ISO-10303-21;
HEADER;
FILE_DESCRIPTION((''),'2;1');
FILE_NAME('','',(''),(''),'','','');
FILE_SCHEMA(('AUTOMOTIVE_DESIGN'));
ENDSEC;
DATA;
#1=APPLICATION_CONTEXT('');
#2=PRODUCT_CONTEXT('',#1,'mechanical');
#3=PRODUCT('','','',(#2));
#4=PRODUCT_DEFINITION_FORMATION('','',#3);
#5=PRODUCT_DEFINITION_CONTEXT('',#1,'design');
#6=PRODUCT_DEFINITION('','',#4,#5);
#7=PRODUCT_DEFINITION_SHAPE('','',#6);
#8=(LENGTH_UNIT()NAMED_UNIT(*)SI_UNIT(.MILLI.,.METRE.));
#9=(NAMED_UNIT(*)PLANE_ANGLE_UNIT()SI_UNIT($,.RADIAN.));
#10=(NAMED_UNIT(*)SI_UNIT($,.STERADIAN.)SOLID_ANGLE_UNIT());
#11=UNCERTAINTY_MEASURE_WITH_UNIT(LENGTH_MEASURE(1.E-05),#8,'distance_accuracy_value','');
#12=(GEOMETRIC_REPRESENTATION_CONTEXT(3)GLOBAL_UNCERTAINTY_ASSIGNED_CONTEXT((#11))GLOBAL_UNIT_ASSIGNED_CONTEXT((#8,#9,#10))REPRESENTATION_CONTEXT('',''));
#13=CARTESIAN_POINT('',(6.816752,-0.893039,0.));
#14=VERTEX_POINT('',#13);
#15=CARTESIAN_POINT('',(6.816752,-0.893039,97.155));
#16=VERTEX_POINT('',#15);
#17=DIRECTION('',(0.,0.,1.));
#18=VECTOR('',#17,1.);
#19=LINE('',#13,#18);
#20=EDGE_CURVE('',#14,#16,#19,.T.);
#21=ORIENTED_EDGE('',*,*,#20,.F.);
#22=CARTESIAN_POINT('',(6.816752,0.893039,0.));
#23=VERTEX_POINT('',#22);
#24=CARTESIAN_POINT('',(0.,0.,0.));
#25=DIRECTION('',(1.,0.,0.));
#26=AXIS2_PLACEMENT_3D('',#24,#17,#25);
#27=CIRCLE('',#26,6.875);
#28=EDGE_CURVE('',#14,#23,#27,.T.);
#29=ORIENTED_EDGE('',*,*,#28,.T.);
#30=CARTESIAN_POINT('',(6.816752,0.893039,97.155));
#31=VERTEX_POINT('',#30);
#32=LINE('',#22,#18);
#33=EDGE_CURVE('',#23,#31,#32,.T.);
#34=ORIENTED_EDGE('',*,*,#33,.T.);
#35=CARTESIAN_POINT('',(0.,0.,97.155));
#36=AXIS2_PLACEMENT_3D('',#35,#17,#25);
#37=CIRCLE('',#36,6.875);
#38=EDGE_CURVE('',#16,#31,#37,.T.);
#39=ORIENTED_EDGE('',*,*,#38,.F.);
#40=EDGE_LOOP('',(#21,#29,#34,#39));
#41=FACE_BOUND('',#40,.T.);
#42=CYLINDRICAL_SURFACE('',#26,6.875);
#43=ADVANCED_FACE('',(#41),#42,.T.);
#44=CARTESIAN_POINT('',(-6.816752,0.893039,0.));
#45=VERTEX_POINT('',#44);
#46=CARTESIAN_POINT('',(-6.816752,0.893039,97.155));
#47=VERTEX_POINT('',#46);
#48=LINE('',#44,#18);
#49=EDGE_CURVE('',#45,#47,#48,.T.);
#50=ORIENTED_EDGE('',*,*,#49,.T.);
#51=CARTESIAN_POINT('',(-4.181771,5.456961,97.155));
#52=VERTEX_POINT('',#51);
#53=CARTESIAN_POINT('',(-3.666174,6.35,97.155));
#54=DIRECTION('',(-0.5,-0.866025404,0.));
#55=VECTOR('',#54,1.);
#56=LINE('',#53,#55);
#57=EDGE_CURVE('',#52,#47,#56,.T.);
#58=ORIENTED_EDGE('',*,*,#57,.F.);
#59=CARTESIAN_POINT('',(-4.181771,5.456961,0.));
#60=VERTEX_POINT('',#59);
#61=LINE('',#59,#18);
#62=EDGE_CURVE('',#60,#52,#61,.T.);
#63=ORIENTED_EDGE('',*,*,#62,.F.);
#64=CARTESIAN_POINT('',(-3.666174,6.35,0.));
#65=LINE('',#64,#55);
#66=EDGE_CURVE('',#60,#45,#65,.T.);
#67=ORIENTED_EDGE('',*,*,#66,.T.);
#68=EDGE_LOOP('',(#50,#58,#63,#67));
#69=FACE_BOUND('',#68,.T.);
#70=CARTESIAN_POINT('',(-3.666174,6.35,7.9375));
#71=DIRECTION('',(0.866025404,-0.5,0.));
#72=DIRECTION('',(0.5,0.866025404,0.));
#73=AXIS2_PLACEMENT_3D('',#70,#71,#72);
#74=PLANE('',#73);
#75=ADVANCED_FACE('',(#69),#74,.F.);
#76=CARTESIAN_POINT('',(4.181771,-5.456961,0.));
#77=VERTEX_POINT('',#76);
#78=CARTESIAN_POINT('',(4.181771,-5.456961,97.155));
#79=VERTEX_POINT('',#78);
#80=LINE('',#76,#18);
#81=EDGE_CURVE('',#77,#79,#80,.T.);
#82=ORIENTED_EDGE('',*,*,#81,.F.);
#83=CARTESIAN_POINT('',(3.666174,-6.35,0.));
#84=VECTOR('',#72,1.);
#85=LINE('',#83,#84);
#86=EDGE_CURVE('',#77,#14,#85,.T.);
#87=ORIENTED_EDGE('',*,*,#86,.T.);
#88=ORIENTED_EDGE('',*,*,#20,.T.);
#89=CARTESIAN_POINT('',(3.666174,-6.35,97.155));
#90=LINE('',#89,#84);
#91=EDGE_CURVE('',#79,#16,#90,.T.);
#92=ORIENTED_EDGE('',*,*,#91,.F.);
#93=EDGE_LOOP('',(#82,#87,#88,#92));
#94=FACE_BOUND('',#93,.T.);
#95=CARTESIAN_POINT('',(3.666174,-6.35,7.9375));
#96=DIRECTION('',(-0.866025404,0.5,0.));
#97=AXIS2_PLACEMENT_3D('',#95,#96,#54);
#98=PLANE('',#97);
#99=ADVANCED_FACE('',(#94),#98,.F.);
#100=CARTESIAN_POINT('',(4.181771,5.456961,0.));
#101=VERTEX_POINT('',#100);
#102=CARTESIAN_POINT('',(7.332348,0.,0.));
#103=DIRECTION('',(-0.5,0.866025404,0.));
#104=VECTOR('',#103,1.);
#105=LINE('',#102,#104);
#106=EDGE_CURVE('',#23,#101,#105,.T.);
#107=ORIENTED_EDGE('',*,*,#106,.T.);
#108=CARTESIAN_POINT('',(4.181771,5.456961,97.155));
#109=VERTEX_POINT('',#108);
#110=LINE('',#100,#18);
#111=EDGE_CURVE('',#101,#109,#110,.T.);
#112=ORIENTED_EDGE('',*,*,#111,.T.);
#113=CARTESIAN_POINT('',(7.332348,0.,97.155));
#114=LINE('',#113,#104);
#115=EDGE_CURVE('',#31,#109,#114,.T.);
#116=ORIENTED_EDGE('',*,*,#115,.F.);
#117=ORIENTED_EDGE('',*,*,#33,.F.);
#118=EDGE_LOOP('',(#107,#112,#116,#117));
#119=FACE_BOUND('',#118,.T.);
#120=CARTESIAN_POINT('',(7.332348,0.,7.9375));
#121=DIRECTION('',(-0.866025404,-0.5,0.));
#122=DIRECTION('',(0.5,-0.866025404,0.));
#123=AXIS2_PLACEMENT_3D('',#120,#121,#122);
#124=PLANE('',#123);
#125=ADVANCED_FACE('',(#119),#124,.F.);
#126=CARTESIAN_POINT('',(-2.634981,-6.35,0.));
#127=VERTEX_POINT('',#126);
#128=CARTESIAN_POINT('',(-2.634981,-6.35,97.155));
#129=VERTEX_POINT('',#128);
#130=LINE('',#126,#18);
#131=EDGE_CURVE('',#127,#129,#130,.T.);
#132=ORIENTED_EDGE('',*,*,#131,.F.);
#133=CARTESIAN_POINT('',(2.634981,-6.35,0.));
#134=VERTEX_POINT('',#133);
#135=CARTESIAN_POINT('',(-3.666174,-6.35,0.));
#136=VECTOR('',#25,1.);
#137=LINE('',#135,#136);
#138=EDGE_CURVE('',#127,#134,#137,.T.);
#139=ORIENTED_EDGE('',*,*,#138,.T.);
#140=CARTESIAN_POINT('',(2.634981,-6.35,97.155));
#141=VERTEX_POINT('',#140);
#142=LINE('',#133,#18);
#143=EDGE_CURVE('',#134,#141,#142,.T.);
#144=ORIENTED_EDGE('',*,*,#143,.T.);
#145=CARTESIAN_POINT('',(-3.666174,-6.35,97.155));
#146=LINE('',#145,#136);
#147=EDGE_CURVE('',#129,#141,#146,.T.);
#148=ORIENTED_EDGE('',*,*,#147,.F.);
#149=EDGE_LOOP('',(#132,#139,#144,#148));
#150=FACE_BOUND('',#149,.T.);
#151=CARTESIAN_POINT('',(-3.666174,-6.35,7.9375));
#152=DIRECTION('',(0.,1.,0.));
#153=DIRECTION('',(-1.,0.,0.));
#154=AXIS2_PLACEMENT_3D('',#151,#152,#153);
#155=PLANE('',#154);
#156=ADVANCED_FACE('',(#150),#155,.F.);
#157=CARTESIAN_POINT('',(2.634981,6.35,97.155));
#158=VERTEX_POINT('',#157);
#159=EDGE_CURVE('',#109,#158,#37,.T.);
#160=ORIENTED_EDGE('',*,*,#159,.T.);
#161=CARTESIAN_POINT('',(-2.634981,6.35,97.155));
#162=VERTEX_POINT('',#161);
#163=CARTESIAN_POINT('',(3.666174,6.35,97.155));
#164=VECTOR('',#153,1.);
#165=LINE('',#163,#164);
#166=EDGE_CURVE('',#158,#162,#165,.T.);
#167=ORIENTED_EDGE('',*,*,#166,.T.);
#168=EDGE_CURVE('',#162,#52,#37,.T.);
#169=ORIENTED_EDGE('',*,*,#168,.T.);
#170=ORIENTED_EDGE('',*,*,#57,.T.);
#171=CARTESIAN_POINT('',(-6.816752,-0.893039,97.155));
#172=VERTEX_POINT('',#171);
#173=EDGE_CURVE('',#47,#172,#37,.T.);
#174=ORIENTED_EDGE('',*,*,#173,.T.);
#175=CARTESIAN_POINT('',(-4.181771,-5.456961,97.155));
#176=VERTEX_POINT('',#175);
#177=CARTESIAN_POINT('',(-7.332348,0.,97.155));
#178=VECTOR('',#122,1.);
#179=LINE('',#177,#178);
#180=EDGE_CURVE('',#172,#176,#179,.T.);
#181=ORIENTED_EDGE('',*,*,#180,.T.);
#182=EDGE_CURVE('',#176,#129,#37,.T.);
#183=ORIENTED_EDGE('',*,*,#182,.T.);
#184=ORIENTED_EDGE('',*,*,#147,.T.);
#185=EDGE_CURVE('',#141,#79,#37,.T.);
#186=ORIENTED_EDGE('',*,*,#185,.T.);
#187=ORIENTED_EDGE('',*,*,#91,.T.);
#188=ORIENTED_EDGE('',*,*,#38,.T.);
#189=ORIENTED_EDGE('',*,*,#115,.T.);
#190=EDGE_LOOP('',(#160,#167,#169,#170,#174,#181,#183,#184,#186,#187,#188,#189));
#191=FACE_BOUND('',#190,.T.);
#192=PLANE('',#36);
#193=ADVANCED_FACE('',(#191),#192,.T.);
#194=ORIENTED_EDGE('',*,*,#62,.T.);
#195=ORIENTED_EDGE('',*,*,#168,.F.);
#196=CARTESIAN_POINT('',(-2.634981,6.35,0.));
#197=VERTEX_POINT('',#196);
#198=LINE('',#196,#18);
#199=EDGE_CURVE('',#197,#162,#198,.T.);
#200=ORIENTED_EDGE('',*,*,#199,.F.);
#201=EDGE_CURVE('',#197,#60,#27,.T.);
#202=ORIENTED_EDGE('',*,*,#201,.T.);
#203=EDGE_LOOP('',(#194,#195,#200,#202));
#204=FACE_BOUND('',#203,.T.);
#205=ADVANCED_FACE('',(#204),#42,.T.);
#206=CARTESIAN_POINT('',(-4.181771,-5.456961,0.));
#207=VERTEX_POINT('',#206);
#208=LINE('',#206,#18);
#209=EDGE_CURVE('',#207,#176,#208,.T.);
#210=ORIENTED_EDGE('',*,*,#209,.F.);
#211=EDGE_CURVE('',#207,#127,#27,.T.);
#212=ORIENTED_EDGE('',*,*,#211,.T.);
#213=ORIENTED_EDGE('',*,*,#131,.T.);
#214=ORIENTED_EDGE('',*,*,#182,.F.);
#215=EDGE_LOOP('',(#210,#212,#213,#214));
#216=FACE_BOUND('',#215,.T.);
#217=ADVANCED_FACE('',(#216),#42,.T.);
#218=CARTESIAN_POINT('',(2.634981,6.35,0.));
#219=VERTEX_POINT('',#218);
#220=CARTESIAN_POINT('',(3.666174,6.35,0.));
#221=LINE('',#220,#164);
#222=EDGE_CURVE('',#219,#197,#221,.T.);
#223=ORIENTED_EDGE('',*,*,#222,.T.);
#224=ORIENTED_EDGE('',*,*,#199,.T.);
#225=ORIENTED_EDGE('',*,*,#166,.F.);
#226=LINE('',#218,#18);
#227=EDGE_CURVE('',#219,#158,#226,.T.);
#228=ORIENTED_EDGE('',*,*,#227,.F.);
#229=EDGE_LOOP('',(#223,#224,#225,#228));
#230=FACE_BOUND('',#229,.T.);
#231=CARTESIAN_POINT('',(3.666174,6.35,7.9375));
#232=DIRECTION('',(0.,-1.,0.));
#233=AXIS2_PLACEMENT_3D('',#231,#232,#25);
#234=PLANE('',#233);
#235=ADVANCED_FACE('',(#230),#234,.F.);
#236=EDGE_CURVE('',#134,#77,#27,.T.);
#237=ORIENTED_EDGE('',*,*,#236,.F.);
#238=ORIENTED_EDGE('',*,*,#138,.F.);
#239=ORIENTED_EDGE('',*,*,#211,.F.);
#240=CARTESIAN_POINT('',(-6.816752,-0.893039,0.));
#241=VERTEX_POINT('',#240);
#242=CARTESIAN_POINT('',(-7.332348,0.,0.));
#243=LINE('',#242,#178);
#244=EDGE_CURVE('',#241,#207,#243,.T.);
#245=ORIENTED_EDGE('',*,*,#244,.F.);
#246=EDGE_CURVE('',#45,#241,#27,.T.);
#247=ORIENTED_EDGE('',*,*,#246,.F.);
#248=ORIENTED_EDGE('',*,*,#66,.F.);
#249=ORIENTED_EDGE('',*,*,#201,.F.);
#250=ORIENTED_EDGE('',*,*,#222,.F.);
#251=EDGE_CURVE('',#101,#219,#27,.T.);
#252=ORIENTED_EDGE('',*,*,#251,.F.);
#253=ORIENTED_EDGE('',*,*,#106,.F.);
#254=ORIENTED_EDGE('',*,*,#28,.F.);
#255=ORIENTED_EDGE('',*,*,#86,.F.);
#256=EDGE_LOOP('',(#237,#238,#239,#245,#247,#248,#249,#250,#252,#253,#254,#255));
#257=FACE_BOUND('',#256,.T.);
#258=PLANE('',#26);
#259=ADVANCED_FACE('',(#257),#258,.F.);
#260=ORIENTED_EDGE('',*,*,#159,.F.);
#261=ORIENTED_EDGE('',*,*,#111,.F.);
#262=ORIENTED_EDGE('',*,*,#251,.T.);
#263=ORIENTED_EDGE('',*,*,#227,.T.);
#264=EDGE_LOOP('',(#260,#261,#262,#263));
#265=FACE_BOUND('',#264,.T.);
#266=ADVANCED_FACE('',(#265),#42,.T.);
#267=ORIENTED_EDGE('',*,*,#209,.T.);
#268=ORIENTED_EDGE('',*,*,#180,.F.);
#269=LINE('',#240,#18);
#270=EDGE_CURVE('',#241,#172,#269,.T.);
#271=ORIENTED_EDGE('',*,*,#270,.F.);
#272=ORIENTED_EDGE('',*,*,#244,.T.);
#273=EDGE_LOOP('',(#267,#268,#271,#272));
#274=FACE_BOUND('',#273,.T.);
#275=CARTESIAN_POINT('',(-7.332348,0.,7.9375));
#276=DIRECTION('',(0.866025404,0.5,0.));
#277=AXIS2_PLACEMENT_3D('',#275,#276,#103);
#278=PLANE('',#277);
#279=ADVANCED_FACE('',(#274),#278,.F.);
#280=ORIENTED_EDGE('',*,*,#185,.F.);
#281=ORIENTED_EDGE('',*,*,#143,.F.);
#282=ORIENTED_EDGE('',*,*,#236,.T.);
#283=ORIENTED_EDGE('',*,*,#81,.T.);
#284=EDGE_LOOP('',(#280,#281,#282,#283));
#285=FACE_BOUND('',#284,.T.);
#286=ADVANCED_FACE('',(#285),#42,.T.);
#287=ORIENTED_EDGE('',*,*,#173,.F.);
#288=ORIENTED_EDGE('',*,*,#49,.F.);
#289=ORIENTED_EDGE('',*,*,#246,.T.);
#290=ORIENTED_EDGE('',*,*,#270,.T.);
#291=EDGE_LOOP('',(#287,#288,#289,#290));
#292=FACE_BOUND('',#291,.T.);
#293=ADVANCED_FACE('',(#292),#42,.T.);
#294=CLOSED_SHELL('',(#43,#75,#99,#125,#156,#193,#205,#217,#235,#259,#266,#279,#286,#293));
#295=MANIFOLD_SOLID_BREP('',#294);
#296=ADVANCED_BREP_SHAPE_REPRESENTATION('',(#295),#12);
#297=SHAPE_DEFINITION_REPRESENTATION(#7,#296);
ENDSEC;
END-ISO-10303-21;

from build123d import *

# Parameters (mm, degrees)
BOSS_EXTRUDE1_DEPTH = 7.9375
BOSS_EXTRUDE4_DEPTH = 89.2175
CUT_EXTRUDE2_DEPTH  = 98.63800417


with BuildPart() as part:
    # Sketch2 → Boss-Extrude1 (new body)
    with BuildSketch(Plane.XY):
        Polygon((7.332348419, 0), (3.666174209, 6.35), (-3.666174209, 6.35), (-7.332348419, 0), (-3.666174209, -6.35), (3.666174209, -6.35), align=None)
    extrude(amount=BOSS_EXTRUDE1_DEPTH)

    # Sketch5 → Boss-Extrude4 (add)
    with BuildSketch(Plane.XY.offset(7.9375)):
        Polygon((7.332348419, 0), (3.666174209, 6.35), (-3.666174209, 6.35), (-7.332348419, 0), (-3.666174209, -6.35), (3.666174209, -6.35), align=None)
    extrude(amount=BOSS_EXTRUDE4_DEPTH)

    # Sketch6 → Cut-Extrude2 (cut, through all)
    with BuildSketch(Plane.XY.offset(97.155)):
        with BuildLine():
            ThreePointArc((-4.181770802, 5.456960506), (-3.4375, 5.953924651), (-2.634981025, 6.35))
            Line((-2.634981025, 6.35), (-3.666174209, 6.35))
            Line((-3.666174209, 6.35), (-4.181770802, 5.456960506))
        make_face()
        with BuildLine():
            ThreePointArc((2.634981025, 6.35), (3.4375, 5.953924651), (4.181770802, 5.456960506))
            Line((4.181770802, 5.456960506), (3.666174209, 6.35))
            Line((3.666174209, 6.35), (2.634981025, 6.35))
        make_face()
        with BuildLine():
            ThreePointArc((6.816751826, 0.893039494), (6.875, 0), (6.816751826, -0.893039494))
            Line((6.816751826, -0.893039494), (7.332348419, 0))
            Line((7.332348419, 0), (6.816751826, 0.893039494))
        make_face()
        with BuildLine():
            Line((2.634981025, -6.35), (3.666174209, -6.35))
            Line((3.666174209, -6.35), (4.181770802, -5.456960506))
            ThreePointArc((4.181770802, -5.456960506), (3.4375, -5.953924651), (2.634981025, -6.35))
        make_face()
        with BuildLine():
            Line((-3.666174209, -6.35), (-2.634981025, -6.35))
            ThreePointArc((-2.634981025, -6.35), (-3.4375, -5.953924651), (-4.181770802, -5.456960506))
            Line((-4.181770802, -5.456960506), (-3.666174209, -6.35))
        make_face()
        with BuildLine():
            Line((-7.332348419, 0), (-6.816751826, -0.893039494))
            ThreePointArc((-6.816751826, -0.893039494), (-6.875, 0), (-6.816751826, 0.893039494))
            Line((-6.816751826, 0.893039494), (-7.332348419, 0))
        make_face()
    extrude(amount=-CUT_EXTRUDE2_DEPTH, mode=Mode.SUBTRACT)


solid = part.part
